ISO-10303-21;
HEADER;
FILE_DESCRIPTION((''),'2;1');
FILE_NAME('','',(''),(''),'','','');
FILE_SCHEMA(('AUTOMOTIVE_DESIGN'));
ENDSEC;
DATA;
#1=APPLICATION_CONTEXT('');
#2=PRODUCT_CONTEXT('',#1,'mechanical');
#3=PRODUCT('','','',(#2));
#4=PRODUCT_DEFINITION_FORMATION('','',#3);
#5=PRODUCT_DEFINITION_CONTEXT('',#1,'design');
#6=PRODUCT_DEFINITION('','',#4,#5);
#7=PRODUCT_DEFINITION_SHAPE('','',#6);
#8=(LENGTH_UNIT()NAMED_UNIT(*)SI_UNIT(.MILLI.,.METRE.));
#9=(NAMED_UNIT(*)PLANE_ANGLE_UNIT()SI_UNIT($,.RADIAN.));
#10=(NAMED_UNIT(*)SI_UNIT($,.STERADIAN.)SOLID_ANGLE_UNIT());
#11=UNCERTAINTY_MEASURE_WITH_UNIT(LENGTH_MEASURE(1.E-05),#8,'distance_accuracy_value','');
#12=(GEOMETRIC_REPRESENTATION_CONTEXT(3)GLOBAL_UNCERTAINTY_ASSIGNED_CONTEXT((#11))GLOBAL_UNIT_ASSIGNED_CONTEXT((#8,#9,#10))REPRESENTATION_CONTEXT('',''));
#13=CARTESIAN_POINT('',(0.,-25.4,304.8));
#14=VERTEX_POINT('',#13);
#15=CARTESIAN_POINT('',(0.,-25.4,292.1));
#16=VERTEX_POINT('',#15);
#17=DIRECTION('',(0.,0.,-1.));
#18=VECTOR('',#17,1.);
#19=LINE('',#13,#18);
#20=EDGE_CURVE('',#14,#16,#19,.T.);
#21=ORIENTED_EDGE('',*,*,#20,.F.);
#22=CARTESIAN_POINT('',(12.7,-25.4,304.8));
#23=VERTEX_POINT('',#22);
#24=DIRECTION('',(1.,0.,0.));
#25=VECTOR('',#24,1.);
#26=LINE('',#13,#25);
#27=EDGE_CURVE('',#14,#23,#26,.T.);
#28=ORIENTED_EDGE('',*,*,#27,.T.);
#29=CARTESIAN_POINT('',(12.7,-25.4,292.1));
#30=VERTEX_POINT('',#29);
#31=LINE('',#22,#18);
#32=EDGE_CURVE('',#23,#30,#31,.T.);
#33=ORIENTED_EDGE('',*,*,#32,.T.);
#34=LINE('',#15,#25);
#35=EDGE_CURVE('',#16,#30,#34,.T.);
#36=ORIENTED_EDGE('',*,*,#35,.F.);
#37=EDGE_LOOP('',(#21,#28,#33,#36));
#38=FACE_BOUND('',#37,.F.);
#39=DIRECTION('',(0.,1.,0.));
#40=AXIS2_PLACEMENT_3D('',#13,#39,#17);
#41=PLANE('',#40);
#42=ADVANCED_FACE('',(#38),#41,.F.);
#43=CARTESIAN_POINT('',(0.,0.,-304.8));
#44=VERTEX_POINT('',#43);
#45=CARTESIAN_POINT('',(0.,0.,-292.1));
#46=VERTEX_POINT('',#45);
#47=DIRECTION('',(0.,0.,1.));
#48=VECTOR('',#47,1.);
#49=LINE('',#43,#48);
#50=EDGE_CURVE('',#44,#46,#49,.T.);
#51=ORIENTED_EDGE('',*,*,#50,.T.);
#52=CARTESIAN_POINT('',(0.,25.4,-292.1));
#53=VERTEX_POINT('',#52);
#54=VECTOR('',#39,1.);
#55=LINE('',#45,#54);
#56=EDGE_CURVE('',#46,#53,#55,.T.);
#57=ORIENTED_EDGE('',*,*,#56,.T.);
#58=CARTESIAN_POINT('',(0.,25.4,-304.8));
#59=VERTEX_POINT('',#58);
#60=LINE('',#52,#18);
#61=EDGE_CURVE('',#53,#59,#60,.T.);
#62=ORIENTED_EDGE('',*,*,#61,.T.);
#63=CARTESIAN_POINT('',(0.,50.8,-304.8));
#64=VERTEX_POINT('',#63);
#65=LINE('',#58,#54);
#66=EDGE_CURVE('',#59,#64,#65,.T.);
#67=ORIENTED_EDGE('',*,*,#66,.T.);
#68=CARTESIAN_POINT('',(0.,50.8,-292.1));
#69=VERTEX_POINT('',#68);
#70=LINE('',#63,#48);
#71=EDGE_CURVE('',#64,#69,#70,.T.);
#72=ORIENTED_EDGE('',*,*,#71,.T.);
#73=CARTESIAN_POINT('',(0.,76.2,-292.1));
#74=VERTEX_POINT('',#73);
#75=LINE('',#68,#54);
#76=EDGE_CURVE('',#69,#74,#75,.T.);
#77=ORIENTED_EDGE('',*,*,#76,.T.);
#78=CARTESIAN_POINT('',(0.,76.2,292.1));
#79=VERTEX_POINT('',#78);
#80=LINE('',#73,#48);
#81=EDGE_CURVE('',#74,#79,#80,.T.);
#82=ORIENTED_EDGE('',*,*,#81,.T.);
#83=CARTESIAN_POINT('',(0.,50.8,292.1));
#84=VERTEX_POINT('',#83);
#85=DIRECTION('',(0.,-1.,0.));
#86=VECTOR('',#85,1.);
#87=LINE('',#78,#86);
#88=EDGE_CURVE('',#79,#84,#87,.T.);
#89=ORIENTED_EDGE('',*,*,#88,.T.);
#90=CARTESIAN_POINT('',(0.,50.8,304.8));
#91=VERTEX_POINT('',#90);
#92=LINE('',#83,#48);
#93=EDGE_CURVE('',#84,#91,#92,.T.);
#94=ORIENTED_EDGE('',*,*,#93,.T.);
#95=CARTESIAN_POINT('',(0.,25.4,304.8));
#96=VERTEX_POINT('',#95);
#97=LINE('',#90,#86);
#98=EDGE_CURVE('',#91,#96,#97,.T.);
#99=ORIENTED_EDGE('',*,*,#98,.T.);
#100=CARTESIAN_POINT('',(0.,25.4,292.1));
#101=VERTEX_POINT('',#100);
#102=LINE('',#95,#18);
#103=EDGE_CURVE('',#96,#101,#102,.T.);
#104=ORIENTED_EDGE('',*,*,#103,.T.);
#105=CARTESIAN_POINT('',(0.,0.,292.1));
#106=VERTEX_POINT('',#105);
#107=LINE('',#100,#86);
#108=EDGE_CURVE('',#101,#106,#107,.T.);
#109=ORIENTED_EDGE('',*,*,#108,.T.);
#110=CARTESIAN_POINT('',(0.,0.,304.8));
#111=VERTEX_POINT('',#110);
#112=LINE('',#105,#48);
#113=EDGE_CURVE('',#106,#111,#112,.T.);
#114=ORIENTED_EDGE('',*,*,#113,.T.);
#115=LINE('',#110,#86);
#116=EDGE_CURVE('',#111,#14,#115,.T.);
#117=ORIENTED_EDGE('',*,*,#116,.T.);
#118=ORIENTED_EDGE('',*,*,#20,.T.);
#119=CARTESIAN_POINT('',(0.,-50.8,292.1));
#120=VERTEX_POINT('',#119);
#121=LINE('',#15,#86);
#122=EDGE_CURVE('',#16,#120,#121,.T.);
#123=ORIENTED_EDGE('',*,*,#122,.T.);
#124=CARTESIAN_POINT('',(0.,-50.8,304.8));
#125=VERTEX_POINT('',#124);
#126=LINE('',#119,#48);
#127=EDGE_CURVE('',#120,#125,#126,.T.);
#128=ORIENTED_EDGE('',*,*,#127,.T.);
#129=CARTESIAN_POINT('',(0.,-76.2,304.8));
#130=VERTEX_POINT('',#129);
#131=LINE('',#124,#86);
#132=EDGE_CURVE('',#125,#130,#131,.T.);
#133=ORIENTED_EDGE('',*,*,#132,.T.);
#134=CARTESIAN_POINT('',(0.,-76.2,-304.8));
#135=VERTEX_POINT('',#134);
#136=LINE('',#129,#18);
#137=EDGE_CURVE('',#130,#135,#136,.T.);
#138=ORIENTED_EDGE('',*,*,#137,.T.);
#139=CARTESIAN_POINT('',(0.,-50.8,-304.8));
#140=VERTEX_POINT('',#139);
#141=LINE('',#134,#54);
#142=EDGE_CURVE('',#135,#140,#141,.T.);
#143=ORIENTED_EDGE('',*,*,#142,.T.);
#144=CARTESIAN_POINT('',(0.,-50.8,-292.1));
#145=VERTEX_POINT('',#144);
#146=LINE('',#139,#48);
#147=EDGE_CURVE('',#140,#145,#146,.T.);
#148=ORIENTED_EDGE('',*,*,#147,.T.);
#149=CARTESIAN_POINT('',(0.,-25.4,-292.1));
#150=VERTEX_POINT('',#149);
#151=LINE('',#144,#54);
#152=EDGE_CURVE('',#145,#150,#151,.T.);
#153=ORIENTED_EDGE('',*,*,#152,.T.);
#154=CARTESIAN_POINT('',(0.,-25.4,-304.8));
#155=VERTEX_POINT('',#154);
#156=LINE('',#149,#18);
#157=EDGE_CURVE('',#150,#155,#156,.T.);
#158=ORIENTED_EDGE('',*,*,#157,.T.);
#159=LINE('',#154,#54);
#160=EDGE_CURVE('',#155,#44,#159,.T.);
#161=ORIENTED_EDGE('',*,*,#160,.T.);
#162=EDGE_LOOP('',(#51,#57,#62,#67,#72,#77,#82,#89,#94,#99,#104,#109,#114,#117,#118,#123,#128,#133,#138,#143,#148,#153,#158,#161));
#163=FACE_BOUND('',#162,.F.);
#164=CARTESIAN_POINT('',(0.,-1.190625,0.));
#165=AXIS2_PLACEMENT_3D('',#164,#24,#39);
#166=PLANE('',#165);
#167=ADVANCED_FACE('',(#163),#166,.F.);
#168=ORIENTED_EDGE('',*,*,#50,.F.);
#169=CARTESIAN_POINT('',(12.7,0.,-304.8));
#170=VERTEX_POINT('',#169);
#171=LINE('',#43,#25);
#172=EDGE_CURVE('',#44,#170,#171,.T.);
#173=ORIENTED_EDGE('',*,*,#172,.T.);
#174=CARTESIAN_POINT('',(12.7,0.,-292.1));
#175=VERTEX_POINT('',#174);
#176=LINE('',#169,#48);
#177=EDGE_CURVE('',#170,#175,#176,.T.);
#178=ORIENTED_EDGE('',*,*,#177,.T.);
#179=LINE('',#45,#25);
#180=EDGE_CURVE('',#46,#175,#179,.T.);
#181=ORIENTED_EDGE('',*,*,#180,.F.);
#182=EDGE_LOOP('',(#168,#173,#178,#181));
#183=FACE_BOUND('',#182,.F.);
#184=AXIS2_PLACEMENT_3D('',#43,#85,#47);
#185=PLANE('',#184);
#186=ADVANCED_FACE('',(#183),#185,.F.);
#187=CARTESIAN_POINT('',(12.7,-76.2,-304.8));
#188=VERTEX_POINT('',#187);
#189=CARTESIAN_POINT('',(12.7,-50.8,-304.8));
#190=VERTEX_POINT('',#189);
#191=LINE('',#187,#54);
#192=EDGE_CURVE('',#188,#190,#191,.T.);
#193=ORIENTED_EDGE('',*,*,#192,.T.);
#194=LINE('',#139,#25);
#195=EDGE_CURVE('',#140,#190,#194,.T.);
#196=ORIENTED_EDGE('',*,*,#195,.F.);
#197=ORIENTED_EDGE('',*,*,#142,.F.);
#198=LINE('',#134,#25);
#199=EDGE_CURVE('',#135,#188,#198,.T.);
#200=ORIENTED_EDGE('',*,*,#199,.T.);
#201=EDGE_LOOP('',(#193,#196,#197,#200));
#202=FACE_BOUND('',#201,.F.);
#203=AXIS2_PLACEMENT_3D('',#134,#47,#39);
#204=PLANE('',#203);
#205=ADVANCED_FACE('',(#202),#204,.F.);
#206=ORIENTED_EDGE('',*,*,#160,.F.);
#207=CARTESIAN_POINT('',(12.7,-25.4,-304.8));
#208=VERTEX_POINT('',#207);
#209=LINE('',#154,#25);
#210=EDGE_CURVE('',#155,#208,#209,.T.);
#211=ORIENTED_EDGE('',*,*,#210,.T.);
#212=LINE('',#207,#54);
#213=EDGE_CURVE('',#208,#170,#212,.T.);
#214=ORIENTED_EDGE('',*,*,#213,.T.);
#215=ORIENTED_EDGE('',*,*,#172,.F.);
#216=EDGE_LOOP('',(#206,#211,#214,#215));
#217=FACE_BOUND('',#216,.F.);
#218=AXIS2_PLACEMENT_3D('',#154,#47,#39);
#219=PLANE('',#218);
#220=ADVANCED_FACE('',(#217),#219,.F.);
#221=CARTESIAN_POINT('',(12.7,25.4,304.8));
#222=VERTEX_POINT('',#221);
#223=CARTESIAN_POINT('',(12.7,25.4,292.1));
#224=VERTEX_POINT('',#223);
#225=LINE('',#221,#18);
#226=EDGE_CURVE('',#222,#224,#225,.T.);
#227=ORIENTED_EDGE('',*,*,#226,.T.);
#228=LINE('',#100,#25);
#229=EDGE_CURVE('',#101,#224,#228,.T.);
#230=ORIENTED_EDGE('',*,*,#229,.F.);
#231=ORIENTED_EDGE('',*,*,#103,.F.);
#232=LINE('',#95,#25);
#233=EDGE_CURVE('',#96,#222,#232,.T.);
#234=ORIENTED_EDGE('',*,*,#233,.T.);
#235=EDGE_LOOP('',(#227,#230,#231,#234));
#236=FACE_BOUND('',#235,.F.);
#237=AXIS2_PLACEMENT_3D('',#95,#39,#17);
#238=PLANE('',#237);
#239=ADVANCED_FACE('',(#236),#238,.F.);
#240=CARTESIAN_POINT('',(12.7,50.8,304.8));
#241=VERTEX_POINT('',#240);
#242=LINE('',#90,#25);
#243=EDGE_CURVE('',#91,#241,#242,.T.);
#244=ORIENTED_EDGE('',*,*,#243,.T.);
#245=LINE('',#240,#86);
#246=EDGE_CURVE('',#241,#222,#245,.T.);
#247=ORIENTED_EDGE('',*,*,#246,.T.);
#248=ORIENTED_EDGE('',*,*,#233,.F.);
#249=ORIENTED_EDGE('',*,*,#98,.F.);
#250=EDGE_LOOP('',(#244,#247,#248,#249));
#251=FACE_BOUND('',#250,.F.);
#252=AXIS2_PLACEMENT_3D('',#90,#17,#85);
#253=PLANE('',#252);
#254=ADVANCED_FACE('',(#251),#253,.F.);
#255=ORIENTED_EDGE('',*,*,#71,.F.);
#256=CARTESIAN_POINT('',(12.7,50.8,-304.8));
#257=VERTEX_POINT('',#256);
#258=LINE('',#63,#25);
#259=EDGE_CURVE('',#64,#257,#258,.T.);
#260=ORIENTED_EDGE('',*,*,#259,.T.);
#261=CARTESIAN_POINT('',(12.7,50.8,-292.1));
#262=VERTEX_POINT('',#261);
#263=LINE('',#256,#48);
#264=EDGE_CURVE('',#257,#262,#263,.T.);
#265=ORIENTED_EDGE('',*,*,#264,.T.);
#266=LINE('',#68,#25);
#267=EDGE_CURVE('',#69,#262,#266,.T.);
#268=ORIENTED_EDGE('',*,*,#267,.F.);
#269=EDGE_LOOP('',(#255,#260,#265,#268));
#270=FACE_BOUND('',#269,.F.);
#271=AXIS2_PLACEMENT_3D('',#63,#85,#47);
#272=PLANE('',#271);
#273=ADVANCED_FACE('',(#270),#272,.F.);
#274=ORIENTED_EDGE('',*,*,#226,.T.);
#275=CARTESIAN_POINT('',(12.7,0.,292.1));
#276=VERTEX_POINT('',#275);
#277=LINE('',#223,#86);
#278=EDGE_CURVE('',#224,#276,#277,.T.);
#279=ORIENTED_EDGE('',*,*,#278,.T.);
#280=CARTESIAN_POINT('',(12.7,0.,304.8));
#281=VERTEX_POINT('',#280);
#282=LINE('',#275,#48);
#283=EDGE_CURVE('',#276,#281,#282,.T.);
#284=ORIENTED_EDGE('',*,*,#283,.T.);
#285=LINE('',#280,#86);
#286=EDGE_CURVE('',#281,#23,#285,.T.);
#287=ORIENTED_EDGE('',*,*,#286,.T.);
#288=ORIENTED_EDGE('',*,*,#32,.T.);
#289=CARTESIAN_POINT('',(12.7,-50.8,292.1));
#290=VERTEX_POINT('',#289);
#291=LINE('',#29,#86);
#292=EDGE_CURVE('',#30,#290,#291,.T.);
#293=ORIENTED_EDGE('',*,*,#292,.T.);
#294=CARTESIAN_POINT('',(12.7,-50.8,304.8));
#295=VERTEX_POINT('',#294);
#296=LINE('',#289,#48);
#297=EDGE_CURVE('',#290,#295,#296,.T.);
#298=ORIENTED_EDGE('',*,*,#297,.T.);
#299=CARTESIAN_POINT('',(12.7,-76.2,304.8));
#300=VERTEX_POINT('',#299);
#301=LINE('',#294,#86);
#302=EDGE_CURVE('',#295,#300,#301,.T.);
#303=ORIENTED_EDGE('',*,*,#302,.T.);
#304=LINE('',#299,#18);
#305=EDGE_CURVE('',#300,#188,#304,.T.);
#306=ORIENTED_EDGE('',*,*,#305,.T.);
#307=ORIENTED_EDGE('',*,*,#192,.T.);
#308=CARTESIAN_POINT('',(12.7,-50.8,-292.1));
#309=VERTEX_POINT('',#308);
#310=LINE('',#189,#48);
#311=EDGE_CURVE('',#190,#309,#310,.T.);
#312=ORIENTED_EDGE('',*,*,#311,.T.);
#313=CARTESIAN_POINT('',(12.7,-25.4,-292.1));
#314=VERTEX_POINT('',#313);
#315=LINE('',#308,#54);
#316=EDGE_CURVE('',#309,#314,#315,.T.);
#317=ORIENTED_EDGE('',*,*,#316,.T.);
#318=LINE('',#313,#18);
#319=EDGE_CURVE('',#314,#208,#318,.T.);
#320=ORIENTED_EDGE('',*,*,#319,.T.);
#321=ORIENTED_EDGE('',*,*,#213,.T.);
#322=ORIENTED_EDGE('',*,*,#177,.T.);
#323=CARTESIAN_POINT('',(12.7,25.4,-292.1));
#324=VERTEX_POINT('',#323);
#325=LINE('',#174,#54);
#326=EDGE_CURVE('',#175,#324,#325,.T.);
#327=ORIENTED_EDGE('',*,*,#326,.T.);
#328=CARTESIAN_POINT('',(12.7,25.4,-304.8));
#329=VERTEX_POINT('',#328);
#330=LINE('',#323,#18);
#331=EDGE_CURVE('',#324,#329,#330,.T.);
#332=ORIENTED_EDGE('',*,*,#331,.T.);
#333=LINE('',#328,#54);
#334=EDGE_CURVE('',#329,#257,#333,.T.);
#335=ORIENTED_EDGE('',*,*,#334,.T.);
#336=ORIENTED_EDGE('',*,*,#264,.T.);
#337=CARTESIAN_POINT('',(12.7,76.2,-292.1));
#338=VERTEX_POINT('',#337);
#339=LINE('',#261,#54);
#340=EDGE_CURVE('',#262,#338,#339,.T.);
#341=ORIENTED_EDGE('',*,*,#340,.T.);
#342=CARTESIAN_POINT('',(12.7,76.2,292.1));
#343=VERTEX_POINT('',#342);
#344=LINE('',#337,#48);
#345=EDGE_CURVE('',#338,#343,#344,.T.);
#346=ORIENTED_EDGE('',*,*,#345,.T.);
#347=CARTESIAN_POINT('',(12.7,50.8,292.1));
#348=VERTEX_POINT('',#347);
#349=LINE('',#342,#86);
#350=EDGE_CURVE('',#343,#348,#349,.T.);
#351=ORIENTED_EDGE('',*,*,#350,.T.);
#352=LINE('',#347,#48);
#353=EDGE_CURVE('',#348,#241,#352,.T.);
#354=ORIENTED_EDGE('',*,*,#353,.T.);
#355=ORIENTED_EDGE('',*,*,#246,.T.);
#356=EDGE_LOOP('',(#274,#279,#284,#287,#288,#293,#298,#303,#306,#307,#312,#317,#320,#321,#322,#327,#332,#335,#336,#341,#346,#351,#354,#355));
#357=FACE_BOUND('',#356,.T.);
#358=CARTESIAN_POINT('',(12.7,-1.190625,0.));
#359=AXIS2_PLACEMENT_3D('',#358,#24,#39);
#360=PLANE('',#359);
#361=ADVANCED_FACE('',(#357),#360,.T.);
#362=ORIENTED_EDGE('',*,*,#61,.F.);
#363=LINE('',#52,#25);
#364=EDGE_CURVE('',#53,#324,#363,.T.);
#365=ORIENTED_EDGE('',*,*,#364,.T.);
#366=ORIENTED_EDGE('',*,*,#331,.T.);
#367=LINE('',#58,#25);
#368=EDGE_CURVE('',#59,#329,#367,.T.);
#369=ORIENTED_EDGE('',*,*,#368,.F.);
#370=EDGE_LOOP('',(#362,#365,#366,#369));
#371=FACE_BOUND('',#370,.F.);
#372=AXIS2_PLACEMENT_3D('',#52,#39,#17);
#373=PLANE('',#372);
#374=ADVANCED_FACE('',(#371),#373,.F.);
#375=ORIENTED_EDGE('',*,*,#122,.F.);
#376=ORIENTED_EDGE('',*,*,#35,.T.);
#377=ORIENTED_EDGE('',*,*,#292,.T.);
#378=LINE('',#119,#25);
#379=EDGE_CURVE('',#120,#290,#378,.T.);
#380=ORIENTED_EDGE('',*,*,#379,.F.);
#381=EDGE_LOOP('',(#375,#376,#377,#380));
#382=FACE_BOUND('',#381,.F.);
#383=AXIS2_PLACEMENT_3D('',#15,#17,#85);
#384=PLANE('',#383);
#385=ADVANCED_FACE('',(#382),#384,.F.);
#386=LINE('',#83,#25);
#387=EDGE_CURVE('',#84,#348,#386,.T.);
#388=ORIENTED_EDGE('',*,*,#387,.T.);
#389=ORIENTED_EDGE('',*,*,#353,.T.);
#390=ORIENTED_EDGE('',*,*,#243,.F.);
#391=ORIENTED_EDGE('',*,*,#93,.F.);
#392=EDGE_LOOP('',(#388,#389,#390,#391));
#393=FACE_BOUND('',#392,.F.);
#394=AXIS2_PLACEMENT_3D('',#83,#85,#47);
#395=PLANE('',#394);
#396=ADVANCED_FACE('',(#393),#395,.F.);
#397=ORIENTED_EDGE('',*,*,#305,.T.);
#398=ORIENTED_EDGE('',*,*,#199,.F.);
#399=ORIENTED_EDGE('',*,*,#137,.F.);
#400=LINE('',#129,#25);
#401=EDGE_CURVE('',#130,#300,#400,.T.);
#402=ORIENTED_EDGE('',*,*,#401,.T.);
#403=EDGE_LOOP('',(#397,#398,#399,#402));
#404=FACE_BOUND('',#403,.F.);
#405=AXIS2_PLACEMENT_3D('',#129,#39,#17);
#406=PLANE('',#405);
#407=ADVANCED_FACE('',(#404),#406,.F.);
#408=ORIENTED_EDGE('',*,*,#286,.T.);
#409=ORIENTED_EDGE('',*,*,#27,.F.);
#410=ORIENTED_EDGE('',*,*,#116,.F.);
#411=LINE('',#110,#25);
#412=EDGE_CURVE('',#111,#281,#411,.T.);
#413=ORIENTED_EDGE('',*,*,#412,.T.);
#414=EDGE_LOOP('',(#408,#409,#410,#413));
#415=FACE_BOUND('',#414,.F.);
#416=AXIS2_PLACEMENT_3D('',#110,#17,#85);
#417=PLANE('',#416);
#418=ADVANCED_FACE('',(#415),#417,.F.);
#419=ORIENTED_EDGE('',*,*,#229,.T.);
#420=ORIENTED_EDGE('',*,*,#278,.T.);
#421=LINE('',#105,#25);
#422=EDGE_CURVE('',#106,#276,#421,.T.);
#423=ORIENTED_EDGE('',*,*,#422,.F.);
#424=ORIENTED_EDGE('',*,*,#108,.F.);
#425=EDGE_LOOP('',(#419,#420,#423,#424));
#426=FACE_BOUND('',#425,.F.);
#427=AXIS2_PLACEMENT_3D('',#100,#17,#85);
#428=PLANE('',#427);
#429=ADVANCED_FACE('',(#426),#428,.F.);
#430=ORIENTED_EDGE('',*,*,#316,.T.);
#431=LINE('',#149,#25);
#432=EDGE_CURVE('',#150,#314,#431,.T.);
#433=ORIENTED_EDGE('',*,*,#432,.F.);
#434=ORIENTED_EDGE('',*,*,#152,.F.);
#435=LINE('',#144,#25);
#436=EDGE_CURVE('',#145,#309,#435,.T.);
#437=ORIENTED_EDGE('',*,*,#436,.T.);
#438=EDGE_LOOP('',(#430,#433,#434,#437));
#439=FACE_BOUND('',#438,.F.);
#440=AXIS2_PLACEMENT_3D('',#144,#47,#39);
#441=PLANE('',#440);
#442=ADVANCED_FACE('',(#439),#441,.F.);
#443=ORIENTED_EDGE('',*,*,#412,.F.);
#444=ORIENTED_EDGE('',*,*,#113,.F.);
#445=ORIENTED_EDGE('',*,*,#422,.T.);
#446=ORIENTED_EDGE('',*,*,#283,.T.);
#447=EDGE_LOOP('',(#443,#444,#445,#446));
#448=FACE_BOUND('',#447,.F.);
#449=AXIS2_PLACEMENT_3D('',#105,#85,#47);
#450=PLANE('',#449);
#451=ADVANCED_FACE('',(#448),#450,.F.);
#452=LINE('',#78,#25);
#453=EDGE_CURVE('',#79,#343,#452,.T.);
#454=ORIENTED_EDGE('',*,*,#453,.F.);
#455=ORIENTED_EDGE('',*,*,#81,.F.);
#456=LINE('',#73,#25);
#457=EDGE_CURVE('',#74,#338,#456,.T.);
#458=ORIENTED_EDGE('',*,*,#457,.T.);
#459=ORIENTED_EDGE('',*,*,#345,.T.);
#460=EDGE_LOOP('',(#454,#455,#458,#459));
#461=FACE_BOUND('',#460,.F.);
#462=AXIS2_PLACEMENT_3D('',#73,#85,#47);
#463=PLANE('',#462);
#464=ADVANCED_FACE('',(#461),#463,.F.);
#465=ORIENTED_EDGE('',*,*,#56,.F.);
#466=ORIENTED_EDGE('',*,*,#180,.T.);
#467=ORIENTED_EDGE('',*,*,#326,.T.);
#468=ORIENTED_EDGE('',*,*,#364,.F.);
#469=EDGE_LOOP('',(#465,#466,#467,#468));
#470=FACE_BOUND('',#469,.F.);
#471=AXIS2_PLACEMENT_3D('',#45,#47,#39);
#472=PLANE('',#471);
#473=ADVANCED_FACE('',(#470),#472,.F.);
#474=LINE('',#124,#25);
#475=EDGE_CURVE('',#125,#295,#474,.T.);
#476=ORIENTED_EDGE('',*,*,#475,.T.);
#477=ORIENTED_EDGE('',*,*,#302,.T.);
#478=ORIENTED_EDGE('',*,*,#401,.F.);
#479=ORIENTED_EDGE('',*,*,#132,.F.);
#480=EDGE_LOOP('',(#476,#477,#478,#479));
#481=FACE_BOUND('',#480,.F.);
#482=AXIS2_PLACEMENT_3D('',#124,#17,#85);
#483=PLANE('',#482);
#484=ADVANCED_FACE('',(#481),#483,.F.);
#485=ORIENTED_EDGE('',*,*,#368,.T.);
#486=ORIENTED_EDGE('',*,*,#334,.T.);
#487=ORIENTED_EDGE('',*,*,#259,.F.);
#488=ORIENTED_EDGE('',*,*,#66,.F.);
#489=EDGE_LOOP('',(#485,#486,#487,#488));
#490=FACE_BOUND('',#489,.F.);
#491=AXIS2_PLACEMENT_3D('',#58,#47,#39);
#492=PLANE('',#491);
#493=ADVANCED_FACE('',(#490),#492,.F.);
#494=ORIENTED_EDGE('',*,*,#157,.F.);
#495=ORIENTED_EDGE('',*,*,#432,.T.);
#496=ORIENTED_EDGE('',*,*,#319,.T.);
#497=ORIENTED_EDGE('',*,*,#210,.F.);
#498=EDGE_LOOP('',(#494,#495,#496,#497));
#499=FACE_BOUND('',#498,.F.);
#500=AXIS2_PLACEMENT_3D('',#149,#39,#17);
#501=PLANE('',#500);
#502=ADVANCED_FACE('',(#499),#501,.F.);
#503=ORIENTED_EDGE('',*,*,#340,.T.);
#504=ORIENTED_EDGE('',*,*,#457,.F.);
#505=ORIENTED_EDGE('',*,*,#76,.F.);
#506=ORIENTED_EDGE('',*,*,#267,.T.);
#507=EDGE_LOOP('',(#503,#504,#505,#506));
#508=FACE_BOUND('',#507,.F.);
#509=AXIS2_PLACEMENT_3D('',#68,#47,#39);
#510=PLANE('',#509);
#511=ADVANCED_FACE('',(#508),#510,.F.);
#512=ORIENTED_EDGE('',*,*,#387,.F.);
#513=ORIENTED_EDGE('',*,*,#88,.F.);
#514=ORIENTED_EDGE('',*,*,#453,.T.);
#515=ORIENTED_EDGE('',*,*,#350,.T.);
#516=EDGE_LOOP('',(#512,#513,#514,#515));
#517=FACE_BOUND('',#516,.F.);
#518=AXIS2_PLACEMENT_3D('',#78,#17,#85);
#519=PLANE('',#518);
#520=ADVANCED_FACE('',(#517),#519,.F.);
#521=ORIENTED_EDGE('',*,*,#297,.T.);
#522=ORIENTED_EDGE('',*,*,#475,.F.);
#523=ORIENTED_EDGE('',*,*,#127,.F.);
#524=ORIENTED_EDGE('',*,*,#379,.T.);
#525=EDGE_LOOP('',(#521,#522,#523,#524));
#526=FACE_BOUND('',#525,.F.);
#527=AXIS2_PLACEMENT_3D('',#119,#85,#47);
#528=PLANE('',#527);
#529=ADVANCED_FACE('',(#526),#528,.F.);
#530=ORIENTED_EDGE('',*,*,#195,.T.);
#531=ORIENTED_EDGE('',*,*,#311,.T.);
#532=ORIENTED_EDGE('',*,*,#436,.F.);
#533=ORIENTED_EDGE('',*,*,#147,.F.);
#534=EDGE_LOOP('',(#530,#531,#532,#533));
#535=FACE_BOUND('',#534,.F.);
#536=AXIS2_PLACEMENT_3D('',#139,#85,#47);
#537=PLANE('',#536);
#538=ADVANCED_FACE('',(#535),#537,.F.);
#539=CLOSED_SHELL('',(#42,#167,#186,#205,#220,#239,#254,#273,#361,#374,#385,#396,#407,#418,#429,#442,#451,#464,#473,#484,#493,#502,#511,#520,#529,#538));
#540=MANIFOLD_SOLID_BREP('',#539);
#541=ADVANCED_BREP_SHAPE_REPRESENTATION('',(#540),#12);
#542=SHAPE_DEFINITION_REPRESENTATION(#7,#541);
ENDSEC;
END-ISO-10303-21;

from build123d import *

# Parameters (mm, degrees)
F1_DEPTH = 12.7


with BuildPart() as f1:
    # F0 (on Right) → F1 (new body)
    with BuildSketch(Plane.YZ):
        Polygon((50.8, 292.1), (50.8, 304.8), (25.4, 304.8), (25.4, 292.1), (0, 292.1), (0, 304.8), (-25.4, 304.8), (-25.4, 292.1), (-50.8, 292.1), (-50.8, 304.8), (-76.2, 304.8), (-76.2, -304.8), (-50.8, -304.8), (-50.8, -292.1), (-25.4, -292.1), (-25.4, -304.8), (0, -304.8), (0, -292.1), (25.4, -292.1), (25.4, -304.8), (50.8, -304.8), (50.8, -292.1), (76.2, -292.1), (76.2, 292.1), align=None)
    extrude(amount=F1_DEPTH)


solid = f1.part
